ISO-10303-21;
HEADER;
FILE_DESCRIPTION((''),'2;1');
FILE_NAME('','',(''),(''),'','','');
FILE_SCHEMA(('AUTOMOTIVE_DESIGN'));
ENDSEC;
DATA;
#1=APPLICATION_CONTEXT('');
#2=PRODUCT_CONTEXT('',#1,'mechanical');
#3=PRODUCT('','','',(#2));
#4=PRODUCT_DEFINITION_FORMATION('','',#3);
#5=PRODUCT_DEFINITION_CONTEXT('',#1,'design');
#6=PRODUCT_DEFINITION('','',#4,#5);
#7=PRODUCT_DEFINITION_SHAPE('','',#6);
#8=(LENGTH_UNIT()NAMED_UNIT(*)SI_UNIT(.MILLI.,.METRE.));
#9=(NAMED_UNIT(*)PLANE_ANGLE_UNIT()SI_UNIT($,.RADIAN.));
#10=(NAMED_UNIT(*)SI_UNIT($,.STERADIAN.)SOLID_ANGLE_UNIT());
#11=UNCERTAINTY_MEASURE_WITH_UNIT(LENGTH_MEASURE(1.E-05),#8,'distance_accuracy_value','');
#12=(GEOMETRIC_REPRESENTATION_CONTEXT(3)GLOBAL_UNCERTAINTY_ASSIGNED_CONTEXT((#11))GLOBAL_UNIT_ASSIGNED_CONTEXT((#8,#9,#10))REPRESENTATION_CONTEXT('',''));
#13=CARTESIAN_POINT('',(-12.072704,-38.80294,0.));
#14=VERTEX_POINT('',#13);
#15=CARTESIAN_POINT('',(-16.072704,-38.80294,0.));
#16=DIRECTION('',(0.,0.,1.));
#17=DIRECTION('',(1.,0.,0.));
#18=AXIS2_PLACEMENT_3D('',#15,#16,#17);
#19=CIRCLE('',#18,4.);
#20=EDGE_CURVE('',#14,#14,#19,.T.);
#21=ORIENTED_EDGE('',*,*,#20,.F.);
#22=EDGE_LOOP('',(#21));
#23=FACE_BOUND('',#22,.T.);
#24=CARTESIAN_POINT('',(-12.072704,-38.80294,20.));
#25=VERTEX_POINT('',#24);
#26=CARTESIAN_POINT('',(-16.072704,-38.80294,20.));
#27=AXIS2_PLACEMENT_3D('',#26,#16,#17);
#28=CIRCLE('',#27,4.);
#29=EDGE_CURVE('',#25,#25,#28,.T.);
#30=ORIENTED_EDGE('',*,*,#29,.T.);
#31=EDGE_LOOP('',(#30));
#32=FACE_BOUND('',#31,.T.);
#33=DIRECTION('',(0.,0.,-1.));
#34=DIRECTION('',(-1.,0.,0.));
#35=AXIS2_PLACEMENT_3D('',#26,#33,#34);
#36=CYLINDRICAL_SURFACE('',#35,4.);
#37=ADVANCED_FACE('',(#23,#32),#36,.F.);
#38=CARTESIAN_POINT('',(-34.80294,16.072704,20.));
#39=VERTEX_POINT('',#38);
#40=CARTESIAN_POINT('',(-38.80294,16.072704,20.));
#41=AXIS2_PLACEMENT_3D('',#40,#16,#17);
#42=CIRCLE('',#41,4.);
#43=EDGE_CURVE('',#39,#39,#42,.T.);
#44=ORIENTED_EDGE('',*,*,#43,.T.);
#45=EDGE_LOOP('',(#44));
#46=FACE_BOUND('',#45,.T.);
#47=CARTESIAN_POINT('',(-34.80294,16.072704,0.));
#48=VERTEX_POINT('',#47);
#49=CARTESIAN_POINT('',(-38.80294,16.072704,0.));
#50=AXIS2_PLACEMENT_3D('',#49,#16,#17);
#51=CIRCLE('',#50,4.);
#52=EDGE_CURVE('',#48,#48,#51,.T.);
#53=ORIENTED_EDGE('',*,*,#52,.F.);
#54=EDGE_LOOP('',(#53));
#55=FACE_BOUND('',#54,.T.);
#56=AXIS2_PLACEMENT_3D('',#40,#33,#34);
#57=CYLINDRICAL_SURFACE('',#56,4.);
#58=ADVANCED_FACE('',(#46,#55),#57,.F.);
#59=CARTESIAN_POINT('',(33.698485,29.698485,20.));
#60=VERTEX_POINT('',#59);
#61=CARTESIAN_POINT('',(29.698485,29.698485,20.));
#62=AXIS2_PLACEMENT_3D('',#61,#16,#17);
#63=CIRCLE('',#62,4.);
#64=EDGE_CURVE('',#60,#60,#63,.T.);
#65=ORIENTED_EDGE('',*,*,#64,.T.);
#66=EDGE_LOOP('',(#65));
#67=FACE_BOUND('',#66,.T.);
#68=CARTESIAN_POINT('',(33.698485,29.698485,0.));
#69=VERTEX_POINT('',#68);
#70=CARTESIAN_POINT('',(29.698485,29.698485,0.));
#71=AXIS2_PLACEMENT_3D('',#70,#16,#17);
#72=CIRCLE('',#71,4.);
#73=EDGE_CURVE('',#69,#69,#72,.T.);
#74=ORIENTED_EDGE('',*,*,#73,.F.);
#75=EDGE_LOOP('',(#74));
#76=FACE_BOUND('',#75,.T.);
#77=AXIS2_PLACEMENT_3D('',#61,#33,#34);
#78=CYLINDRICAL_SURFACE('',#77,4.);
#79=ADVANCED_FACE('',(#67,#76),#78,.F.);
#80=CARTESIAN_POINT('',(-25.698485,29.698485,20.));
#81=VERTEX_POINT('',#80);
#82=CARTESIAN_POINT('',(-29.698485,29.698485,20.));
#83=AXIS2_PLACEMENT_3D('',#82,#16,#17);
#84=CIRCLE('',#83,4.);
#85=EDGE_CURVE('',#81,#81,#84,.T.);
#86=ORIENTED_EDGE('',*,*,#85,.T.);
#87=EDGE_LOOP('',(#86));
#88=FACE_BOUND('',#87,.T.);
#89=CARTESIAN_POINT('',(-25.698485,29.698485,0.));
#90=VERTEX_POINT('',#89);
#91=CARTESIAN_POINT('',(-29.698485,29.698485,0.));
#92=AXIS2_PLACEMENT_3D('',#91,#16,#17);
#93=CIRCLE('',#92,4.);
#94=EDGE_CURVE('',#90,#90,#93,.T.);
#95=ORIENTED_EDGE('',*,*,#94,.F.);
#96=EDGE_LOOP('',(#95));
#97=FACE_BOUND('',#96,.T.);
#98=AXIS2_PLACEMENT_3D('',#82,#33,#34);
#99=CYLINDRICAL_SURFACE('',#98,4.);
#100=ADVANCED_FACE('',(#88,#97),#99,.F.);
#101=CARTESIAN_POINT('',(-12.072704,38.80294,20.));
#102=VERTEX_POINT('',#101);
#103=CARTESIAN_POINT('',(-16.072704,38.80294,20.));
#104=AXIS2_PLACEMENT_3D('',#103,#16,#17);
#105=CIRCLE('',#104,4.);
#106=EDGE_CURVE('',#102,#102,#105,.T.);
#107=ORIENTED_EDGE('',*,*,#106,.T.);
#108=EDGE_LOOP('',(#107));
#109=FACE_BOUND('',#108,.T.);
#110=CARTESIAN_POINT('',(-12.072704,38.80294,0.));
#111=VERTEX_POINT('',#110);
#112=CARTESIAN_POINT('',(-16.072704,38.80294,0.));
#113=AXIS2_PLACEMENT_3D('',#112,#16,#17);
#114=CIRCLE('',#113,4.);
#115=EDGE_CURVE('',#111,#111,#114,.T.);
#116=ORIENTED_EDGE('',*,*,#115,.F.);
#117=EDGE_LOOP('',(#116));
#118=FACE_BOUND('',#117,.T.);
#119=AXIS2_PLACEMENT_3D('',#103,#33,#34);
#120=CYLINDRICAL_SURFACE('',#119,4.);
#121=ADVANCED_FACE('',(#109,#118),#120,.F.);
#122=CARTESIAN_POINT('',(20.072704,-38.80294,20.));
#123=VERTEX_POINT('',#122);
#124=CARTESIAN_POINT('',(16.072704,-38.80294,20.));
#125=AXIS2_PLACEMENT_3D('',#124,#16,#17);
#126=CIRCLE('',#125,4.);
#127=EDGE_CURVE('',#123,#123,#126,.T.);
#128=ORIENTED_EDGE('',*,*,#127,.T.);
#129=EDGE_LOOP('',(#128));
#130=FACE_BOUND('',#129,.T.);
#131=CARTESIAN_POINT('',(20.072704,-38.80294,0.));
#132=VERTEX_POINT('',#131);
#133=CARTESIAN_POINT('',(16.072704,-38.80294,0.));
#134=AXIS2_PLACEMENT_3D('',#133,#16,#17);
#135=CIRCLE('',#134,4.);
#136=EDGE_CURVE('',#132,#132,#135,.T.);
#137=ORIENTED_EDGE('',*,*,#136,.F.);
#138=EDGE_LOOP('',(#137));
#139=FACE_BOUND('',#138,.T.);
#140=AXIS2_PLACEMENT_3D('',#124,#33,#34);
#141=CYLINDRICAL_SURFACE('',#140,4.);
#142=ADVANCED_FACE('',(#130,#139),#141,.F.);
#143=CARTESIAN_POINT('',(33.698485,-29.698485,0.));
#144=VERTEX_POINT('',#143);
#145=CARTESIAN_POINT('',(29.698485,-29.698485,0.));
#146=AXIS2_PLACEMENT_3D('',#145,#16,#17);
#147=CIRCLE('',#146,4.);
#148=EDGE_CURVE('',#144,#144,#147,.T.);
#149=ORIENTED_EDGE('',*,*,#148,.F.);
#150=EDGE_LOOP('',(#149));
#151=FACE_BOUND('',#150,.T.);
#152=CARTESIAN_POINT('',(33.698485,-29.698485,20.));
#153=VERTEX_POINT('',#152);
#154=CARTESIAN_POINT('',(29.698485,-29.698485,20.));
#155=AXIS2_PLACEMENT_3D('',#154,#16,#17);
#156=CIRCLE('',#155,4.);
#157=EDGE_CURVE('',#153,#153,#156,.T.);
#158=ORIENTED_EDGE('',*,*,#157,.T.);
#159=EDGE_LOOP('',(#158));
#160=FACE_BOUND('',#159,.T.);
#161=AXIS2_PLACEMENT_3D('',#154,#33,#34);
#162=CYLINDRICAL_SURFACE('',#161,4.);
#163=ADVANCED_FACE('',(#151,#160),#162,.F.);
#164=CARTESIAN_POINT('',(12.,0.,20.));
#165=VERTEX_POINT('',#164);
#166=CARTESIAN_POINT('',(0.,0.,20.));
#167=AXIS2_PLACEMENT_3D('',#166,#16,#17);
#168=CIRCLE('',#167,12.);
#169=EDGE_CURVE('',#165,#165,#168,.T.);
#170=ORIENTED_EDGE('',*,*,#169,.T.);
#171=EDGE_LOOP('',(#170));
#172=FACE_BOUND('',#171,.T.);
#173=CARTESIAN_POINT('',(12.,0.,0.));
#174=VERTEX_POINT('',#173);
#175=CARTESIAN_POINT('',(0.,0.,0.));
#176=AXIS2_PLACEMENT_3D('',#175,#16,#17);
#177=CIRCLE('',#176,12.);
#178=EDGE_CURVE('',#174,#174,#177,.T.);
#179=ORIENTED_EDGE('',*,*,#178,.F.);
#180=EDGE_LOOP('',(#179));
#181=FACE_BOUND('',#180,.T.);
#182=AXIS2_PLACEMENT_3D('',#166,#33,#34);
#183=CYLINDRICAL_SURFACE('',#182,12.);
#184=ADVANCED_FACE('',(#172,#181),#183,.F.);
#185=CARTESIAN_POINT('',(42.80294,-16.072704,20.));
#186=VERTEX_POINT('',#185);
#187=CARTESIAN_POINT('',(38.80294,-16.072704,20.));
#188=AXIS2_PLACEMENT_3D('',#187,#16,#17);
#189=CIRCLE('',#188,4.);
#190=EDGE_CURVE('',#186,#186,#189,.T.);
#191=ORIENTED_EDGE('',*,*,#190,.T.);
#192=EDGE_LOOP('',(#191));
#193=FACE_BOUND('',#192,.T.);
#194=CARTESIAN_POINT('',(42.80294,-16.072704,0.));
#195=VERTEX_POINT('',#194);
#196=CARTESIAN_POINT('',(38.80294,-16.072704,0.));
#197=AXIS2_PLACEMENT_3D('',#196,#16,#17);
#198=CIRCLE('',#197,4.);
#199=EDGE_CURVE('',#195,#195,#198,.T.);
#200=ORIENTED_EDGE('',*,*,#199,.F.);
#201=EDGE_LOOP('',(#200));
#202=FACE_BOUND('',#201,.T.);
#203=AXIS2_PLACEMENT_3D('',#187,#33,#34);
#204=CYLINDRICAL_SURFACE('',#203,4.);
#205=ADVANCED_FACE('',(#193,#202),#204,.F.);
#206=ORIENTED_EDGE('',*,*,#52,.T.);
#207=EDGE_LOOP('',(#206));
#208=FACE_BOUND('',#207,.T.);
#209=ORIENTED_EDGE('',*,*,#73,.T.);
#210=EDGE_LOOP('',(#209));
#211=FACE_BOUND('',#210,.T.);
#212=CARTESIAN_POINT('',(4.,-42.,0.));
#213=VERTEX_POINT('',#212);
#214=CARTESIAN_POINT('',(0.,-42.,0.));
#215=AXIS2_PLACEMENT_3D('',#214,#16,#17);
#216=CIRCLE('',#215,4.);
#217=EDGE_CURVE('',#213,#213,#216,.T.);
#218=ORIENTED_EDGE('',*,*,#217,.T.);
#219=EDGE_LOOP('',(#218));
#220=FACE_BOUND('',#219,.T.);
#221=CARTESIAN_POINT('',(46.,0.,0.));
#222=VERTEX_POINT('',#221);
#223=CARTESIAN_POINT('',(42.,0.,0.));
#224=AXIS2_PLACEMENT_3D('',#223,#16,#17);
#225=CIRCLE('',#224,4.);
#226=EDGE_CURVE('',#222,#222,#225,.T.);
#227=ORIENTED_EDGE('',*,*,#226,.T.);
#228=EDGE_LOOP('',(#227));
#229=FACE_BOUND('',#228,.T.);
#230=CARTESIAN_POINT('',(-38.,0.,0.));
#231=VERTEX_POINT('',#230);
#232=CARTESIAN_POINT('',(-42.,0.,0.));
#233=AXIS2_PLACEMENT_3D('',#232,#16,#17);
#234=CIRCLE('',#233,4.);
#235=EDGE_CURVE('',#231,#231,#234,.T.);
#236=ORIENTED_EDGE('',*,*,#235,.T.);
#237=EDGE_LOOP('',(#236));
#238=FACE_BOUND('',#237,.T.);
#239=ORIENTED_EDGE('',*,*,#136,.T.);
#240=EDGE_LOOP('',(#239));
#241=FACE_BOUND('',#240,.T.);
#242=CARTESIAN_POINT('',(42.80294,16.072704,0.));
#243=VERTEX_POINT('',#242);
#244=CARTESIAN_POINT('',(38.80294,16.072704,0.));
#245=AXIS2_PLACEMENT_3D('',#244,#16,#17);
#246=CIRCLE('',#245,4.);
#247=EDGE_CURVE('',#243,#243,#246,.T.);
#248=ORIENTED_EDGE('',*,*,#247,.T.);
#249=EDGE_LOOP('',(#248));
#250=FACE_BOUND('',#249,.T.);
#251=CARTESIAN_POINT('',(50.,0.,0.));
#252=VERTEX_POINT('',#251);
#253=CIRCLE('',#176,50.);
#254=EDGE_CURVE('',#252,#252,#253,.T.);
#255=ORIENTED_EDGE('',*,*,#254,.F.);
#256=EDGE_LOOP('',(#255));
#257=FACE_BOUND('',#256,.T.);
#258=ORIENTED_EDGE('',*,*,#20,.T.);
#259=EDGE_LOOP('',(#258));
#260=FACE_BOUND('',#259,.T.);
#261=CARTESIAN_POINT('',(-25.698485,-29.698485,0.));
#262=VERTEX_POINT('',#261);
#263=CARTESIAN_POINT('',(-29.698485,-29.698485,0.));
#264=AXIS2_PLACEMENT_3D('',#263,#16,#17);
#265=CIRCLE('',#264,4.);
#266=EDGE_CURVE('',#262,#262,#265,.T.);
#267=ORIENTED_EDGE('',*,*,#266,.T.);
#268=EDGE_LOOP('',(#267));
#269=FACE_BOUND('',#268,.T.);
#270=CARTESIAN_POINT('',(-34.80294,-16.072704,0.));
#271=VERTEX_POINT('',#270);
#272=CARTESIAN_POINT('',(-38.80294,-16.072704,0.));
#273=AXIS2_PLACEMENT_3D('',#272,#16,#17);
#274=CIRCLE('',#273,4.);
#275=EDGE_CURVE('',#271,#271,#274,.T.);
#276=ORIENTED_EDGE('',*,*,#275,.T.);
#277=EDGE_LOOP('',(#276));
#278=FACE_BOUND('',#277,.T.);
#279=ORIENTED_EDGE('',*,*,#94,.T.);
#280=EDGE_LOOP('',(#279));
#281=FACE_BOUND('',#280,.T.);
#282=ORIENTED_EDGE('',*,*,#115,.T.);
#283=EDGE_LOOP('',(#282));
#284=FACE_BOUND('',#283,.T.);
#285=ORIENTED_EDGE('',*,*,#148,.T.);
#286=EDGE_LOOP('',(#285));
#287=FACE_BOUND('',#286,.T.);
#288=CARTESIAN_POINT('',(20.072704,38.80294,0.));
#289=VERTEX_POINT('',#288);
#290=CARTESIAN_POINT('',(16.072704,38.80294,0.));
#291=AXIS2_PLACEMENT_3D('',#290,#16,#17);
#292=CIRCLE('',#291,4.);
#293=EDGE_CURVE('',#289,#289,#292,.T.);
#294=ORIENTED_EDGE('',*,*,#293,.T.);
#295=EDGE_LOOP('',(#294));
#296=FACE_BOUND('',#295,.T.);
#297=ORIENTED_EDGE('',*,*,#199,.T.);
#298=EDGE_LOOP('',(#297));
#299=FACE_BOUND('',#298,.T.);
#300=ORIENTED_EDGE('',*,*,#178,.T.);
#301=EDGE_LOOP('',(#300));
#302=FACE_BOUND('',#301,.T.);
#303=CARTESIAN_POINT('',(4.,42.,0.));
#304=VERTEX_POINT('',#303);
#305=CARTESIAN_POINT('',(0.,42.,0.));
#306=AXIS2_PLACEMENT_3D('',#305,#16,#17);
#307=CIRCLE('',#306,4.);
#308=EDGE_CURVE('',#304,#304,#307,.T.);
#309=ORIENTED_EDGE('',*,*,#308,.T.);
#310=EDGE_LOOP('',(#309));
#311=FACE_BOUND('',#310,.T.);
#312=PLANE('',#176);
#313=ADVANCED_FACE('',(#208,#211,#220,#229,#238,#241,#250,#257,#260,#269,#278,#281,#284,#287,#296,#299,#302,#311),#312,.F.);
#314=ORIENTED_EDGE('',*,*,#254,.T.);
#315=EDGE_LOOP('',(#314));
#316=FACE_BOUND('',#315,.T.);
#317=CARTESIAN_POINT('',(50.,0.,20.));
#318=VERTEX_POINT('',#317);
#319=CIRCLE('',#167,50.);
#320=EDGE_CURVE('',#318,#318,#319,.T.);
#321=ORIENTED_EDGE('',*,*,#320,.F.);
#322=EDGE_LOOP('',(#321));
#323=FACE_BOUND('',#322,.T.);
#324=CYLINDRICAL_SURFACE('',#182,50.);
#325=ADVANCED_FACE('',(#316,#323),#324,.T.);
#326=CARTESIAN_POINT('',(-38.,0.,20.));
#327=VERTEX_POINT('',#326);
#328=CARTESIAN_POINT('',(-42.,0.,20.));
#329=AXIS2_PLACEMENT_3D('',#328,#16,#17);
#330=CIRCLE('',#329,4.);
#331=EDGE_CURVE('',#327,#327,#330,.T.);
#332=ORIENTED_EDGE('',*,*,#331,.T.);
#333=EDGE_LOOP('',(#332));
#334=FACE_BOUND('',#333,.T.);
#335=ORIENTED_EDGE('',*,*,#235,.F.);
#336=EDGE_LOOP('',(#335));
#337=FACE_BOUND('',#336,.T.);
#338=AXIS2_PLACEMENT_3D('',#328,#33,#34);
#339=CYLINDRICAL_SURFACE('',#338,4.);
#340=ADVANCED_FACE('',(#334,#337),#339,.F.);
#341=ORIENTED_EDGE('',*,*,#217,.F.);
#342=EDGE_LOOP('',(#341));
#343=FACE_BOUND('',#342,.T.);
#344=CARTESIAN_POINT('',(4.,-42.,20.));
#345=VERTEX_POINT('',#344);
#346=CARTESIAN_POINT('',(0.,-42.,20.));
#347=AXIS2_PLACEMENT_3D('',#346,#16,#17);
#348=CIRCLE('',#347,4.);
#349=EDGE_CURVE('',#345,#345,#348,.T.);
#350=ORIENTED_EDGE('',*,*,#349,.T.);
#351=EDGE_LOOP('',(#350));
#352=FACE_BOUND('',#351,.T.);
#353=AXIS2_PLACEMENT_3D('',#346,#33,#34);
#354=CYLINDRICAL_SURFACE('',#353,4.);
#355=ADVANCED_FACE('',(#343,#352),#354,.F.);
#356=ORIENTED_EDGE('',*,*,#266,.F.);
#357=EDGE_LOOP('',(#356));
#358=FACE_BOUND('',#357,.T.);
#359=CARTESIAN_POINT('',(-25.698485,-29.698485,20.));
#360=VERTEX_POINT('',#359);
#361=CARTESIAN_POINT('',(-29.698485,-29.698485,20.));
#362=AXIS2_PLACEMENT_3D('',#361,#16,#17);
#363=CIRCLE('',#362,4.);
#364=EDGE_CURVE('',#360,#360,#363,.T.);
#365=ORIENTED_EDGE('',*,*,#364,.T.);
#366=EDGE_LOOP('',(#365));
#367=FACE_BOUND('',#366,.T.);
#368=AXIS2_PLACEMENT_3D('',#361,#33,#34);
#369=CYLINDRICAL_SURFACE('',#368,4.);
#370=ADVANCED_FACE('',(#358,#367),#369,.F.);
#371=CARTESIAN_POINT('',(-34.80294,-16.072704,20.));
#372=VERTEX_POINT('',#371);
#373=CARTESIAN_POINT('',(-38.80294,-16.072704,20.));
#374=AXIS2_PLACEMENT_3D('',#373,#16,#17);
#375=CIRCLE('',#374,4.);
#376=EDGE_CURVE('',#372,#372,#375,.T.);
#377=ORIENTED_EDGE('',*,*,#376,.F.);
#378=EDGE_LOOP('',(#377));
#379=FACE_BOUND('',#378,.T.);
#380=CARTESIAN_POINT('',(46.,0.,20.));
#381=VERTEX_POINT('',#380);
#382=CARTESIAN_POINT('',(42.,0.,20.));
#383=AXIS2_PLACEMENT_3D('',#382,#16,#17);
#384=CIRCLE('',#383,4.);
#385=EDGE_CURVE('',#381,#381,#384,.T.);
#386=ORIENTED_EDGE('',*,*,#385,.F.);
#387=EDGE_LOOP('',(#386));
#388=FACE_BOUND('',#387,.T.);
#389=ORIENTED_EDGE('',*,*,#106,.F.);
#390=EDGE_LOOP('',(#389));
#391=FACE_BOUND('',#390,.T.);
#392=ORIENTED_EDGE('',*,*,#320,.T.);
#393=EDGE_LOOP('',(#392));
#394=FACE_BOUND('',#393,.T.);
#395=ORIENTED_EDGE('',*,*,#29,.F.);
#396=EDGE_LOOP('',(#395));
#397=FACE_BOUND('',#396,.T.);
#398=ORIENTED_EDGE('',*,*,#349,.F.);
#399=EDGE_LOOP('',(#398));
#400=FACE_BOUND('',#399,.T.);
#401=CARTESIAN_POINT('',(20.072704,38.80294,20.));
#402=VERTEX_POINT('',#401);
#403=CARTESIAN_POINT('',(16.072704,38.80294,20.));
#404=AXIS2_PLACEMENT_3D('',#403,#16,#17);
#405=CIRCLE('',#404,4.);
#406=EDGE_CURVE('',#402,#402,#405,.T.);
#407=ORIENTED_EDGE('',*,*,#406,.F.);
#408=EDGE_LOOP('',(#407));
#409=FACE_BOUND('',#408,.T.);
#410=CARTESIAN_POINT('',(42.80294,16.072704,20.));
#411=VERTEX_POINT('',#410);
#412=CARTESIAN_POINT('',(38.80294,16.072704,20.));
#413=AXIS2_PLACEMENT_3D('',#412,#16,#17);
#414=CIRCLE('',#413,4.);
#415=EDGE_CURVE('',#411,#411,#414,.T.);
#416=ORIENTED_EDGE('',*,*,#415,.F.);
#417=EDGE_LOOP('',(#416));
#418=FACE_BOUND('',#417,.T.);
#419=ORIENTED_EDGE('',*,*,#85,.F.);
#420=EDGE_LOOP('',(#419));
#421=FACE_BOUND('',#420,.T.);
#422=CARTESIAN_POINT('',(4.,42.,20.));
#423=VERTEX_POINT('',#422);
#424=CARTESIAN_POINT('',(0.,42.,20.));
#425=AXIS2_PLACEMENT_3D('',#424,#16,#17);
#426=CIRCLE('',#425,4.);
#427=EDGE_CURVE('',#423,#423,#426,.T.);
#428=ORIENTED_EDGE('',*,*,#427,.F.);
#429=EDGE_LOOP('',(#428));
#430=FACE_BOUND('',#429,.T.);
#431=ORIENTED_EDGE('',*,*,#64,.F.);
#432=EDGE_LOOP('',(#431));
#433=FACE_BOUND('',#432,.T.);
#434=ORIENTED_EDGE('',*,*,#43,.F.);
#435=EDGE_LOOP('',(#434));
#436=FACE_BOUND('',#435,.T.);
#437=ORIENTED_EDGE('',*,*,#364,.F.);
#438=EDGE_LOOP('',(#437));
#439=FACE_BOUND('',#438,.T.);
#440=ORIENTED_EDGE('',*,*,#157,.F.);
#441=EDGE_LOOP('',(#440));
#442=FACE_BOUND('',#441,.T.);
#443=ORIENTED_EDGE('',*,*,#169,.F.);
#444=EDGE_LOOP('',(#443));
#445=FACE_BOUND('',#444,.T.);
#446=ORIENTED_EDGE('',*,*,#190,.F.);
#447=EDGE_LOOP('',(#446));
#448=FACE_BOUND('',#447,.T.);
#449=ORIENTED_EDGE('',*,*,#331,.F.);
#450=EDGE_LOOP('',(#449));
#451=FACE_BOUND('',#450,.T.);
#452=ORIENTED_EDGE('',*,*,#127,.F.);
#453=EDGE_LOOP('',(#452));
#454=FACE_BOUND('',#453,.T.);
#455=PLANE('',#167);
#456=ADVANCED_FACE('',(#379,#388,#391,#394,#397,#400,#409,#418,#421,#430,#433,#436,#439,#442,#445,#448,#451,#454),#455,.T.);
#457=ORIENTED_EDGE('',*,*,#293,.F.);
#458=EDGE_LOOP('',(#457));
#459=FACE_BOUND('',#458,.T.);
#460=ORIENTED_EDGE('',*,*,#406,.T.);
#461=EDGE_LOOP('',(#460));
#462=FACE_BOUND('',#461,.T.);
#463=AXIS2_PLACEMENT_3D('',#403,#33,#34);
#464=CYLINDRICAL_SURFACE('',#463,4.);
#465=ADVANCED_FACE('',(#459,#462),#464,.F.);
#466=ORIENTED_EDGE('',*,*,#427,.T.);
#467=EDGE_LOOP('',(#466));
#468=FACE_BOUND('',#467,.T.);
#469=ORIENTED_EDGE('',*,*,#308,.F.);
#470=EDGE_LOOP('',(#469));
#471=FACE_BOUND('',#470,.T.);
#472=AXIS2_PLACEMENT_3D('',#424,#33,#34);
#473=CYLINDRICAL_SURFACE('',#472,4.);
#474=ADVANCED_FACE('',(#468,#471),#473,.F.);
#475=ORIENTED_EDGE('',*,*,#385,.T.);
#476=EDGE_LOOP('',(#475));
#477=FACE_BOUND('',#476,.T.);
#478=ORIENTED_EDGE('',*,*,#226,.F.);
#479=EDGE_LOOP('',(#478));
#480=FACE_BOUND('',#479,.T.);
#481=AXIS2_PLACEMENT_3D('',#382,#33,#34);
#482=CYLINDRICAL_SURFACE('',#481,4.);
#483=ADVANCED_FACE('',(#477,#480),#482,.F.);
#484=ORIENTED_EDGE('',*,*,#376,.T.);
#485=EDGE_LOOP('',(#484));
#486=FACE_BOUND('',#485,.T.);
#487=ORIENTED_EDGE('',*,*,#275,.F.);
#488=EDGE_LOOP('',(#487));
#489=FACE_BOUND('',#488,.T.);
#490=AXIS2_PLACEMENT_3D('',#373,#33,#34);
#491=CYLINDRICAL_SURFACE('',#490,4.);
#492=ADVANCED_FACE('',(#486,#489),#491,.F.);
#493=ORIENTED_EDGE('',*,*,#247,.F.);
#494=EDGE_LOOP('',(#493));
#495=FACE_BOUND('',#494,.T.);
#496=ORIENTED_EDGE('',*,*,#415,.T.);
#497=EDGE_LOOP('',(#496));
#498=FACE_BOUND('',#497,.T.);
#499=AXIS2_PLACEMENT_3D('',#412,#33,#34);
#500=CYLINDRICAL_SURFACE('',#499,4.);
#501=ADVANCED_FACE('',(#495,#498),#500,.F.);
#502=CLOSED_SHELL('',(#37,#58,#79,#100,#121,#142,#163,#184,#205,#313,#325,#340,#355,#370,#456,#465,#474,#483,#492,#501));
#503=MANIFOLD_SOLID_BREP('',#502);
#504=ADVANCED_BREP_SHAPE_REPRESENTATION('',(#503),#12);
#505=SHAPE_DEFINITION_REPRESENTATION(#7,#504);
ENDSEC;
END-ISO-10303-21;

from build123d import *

# Parameters (mm, degrees)
SKETCH2_R           = 50
SKETCH2_R_2         = 12
SKETCH2_R_3         = 4
BOSS_EXTRUDE1_DEPTH = 20


with BuildPart() as part:
    # Sketch2 → Boss-Extrude1 (new body)
    with BuildSketch(Plane(origin=(0, 0, 0), x_dir=(0, 1, 0), z_dir=(0, 0, 1))):
        with Locations(Location((0, 0, 0), (0, 0, 270))):
            Circle(SKETCH2_R)
        with Locations(Location((0, 0, 0), (0, 0, 270))):
            Circle(SKETCH2_R_2, mode=Mode.SUBTRACT)
        with Locations(Location((0, 42, 0), (0, 0, 270))):
            Circle(SKETCH2_R_3, mode=Mode.SUBTRACT)
        with Locations(Location((29.69848481, 29.69848481, 0), (0, 0, 270))):
            Circle(SKETCH2_R_3, mode=Mode.SUBTRACT)
        with Locations(Location((42, 0, 0), (0, 0, 270))):
            Circle(SKETCH2_R_3, mode=Mode.SUBTRACT)
        with Locations(Location((29.69848481, -29.69848481, 0), (0, 0, 270))):
            Circle(SKETCH2_R_3, mode=Mode.SUBTRACT)
        with Locations(Location((0, -42, 0), (0, 0, 270))):
            Circle(SKETCH2_R_3, mode=Mode.SUBTRACT)
        with Locations(Location((-29.69848481, -29.69848481, 0), (0, 0, 270))):
            Circle(SKETCH2_R_3, mode=Mode.SUBTRACT)
        with Locations(Location((-42, 0, 0), (0, 0, 270))):
            Circle(SKETCH2_R_3, mode=Mode.SUBTRACT)
        with Locations(Location((-29.69848481, 29.69848481, 0), (0, 0, 270))):
            Circle(SKETCH2_R_3, mode=Mode.SUBTRACT)
        with Locations(Location((-38.802940365, 16.072704159, 0), (0, 0, 270))):
            Circle(SKETCH2_R_3, mode=Mode.SUBTRACT)
        with Locations(Location((-16.072704159, 38.802940365, 0), (0, 0, 270))):
            Circle(SKETCH2_R_3, mode=Mode.SUBTRACT)
        with Locations(Location((16.072704159, 38.802940365, 0), (0, 0, 270))):
            Circle(SKETCH2_R_3, mode=Mode.SUBTRACT)
        with Locations(Location((38.802940365, 16.072704159, 0), (0, 0, 270))):
            Circle(SKETCH2_R_3, mode=Mode.SUBTRACT)
        with Locations(Location((38.802940365, -16.072704159, 0), (0, 0, 270))):
            Circle(SKETCH2_R_3, mode=Mode.SUBTRACT)
        with Locations(Location((16.072704159, -38.802940365, 0), (0, 0, 270))):
            Circle(SKETCH2_R_3, mode=Mode.SUBTRACT)
        with Locations(Location((-16.072704159, -38.802940365, 0), (0, 0, 270))):
            Circle(SKETCH2_R_3, mode=Mode.SUBTRACT)
        with Locations(Location((-38.802940365, -16.072704159, 0), (0, 0, 270))):
            Circle(SKETCH2_R_3, mode=Mode.SUBTRACT)
    extrude(amount=BOSS_EXTRUDE1_DEPTH)


solid = part.part
